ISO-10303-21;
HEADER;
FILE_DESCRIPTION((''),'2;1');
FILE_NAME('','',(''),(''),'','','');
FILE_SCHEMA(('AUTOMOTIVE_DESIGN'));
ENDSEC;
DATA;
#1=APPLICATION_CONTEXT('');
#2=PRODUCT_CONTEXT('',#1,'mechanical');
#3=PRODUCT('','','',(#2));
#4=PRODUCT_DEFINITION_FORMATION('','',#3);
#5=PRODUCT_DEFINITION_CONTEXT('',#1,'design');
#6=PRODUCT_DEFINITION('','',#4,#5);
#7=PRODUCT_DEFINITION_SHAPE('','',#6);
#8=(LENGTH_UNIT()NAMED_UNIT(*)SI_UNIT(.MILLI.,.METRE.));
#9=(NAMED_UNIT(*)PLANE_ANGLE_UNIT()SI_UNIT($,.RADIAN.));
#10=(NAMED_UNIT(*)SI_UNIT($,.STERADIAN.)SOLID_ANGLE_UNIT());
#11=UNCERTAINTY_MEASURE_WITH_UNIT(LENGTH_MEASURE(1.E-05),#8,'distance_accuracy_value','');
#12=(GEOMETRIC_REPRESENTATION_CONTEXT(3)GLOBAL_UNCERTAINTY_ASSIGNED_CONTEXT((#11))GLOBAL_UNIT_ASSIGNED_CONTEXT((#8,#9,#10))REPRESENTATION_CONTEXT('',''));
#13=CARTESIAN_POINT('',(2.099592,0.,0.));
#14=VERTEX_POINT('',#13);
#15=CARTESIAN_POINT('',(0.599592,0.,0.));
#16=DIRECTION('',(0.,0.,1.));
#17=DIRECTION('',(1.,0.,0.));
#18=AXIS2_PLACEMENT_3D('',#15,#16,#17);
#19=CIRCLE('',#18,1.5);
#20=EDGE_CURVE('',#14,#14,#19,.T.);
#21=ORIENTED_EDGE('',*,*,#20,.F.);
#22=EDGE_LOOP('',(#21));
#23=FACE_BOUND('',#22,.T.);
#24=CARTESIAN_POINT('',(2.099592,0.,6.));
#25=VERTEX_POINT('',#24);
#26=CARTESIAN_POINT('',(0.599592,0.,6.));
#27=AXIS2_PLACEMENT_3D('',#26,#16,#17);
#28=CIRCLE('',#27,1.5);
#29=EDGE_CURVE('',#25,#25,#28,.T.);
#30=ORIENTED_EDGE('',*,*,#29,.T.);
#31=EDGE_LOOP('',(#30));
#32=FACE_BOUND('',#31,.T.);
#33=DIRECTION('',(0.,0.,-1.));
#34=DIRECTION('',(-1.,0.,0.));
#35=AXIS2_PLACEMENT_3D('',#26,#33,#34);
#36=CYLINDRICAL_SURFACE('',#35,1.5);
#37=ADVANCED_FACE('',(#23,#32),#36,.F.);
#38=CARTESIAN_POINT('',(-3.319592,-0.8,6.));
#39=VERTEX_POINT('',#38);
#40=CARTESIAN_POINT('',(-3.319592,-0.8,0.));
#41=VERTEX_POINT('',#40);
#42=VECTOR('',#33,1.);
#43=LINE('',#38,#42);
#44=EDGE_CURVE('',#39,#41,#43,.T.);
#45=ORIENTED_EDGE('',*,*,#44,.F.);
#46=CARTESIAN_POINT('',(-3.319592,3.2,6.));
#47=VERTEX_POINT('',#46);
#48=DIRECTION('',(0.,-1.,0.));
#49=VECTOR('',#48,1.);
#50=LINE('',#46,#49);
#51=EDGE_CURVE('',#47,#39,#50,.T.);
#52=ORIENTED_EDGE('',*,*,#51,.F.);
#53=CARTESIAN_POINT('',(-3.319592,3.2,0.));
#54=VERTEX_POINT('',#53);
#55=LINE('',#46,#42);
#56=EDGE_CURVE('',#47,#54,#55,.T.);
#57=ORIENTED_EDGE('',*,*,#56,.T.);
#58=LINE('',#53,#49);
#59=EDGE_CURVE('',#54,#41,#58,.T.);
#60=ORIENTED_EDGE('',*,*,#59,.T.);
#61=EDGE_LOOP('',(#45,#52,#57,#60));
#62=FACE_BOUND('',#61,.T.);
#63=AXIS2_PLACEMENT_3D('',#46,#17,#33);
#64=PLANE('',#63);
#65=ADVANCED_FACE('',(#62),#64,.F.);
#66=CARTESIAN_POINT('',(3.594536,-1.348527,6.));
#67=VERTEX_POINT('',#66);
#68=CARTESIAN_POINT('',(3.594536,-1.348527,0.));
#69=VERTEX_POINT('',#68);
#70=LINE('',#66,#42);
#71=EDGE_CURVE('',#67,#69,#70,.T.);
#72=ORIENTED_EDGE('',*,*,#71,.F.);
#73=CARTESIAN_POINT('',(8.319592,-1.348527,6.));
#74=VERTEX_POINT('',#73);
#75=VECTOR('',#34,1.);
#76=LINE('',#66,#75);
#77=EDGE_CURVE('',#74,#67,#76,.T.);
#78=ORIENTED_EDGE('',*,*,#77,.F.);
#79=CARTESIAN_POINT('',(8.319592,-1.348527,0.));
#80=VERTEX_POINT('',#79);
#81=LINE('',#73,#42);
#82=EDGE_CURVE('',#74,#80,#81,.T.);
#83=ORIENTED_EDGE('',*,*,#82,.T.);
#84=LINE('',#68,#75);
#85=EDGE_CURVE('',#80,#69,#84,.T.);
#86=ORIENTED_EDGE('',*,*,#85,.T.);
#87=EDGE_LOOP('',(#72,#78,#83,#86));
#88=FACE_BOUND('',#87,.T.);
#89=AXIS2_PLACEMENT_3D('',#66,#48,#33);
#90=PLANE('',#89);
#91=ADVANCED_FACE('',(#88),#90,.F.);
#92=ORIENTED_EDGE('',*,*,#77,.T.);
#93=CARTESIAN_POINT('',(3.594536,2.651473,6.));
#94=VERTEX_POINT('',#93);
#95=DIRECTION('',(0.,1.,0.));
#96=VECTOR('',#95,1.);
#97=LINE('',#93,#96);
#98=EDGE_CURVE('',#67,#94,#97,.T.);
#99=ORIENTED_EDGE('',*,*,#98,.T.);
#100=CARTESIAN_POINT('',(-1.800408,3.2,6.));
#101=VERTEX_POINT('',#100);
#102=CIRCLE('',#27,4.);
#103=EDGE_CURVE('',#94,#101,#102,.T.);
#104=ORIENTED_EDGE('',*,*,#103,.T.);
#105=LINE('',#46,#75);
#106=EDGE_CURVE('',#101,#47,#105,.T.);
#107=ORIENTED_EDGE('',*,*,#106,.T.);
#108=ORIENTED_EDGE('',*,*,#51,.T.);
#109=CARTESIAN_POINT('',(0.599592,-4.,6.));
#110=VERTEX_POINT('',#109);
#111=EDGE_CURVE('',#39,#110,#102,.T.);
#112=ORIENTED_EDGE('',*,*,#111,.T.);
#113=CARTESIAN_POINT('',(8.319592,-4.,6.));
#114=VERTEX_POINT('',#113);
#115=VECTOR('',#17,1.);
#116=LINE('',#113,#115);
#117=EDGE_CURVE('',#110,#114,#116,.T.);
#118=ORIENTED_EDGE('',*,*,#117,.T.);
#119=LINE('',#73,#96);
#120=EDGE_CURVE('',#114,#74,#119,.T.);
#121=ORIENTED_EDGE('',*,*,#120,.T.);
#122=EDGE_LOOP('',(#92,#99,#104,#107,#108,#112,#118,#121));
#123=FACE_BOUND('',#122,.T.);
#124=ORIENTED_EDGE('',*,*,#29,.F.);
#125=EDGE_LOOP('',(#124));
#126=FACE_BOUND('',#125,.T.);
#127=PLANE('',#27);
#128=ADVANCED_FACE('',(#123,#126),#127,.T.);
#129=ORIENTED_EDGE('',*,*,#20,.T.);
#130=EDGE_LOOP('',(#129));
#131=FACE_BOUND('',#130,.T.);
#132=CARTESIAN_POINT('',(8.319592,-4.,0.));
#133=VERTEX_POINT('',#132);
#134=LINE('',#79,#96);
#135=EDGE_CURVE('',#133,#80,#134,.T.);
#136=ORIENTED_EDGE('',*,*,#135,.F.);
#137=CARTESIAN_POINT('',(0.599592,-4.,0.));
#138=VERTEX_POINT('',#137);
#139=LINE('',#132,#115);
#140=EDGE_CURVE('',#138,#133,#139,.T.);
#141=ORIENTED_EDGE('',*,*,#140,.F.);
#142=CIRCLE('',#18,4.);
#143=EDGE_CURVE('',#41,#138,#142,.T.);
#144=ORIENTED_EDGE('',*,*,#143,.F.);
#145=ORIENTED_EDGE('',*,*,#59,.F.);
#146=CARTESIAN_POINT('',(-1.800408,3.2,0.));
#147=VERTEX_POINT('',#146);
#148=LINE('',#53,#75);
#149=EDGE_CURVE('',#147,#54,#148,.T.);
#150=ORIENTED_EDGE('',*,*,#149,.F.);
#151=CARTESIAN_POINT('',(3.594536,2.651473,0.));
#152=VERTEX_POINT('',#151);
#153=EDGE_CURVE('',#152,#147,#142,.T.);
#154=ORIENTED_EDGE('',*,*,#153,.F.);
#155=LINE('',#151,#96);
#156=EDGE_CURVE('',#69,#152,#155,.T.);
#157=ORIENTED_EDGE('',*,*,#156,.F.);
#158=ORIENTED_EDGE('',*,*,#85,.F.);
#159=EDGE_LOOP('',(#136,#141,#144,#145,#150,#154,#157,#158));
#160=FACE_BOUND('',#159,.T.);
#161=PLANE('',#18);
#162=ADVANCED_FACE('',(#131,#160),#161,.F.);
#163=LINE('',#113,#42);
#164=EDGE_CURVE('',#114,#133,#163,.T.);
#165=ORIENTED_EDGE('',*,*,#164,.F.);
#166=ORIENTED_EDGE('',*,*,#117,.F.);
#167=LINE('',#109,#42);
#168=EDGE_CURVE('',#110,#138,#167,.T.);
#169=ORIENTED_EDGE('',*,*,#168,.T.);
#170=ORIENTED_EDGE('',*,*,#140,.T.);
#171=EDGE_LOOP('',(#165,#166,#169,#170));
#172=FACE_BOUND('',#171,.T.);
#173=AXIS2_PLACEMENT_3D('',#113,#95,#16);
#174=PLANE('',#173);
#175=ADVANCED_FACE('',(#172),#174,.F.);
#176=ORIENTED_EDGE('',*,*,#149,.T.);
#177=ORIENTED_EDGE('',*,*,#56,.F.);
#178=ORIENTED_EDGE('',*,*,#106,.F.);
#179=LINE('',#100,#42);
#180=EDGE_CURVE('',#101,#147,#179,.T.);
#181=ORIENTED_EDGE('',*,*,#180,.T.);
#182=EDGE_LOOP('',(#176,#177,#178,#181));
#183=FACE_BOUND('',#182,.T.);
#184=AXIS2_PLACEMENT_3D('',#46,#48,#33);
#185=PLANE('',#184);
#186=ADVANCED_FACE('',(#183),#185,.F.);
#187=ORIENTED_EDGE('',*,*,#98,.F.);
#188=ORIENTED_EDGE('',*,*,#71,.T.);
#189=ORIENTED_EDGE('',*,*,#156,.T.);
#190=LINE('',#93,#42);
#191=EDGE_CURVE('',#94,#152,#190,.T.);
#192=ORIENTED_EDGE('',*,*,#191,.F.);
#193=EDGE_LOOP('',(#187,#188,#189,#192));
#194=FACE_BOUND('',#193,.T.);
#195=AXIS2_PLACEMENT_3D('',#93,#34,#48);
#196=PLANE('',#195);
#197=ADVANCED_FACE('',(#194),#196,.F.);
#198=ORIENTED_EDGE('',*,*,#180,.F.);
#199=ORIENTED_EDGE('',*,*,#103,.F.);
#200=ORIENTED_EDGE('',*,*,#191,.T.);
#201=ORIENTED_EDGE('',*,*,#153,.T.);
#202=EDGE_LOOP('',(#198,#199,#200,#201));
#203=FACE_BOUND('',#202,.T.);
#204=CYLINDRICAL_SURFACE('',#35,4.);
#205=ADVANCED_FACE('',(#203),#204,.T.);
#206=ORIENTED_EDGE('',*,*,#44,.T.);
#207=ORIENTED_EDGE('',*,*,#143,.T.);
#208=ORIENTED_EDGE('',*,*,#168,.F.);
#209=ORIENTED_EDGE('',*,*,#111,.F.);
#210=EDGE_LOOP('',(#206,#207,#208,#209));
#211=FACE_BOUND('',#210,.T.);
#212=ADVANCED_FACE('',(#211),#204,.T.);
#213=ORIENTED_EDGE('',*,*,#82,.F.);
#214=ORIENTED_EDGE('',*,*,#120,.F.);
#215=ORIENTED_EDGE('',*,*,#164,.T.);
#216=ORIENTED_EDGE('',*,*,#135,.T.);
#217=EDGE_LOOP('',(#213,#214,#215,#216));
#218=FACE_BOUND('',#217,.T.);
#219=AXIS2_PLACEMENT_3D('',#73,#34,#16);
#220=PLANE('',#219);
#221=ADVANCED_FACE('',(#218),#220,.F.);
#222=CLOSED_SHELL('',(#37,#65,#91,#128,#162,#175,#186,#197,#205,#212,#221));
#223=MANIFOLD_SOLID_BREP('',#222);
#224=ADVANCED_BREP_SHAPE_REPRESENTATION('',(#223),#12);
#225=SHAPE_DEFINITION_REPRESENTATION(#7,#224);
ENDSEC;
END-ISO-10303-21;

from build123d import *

# Parameters (mm, degrees)
SKETCH1_R           = 1.5
BOSS_EXTRUDE1_DEPTH = 6


with BuildPart() as part:
    # Sketch1 → Boss-Extrude1 (new body)
    with BuildSketch(Plane.XY):
        with BuildLine():
            Line((8.319591794, -4), (0.599591794, -4))
            ThreePointArc((0.599591794, -4), (-1.930230334, -3.098386677), (-3.319591794, -0.8))
            Line((-3.319591794, -0.8), (-3.319591794, 3.2))
            Line((-3.319591794, 3.2), (-1.800408206, 3.2))
            ThreePointArc((-1.800408206, 3.2), (1.004202752, 3.979483631), (3.594535859, 2.651473185))
            Line((3.594535859, 2.651473185), (3.594535859, -1.348526815))
            Line((3.594535859, -1.348526815), (8.319591794, -1.348526815))
            Line((8.319591794, -1.348526815), (8.319591794, -4))
        make_face()
        with Locations((0.599591794, 0)):
            Circle(SKETCH1_R, mode=Mode.SUBTRACT)
    extrude(amount=BOSS_EXTRUDE1_DEPTH)


solid = part.part
